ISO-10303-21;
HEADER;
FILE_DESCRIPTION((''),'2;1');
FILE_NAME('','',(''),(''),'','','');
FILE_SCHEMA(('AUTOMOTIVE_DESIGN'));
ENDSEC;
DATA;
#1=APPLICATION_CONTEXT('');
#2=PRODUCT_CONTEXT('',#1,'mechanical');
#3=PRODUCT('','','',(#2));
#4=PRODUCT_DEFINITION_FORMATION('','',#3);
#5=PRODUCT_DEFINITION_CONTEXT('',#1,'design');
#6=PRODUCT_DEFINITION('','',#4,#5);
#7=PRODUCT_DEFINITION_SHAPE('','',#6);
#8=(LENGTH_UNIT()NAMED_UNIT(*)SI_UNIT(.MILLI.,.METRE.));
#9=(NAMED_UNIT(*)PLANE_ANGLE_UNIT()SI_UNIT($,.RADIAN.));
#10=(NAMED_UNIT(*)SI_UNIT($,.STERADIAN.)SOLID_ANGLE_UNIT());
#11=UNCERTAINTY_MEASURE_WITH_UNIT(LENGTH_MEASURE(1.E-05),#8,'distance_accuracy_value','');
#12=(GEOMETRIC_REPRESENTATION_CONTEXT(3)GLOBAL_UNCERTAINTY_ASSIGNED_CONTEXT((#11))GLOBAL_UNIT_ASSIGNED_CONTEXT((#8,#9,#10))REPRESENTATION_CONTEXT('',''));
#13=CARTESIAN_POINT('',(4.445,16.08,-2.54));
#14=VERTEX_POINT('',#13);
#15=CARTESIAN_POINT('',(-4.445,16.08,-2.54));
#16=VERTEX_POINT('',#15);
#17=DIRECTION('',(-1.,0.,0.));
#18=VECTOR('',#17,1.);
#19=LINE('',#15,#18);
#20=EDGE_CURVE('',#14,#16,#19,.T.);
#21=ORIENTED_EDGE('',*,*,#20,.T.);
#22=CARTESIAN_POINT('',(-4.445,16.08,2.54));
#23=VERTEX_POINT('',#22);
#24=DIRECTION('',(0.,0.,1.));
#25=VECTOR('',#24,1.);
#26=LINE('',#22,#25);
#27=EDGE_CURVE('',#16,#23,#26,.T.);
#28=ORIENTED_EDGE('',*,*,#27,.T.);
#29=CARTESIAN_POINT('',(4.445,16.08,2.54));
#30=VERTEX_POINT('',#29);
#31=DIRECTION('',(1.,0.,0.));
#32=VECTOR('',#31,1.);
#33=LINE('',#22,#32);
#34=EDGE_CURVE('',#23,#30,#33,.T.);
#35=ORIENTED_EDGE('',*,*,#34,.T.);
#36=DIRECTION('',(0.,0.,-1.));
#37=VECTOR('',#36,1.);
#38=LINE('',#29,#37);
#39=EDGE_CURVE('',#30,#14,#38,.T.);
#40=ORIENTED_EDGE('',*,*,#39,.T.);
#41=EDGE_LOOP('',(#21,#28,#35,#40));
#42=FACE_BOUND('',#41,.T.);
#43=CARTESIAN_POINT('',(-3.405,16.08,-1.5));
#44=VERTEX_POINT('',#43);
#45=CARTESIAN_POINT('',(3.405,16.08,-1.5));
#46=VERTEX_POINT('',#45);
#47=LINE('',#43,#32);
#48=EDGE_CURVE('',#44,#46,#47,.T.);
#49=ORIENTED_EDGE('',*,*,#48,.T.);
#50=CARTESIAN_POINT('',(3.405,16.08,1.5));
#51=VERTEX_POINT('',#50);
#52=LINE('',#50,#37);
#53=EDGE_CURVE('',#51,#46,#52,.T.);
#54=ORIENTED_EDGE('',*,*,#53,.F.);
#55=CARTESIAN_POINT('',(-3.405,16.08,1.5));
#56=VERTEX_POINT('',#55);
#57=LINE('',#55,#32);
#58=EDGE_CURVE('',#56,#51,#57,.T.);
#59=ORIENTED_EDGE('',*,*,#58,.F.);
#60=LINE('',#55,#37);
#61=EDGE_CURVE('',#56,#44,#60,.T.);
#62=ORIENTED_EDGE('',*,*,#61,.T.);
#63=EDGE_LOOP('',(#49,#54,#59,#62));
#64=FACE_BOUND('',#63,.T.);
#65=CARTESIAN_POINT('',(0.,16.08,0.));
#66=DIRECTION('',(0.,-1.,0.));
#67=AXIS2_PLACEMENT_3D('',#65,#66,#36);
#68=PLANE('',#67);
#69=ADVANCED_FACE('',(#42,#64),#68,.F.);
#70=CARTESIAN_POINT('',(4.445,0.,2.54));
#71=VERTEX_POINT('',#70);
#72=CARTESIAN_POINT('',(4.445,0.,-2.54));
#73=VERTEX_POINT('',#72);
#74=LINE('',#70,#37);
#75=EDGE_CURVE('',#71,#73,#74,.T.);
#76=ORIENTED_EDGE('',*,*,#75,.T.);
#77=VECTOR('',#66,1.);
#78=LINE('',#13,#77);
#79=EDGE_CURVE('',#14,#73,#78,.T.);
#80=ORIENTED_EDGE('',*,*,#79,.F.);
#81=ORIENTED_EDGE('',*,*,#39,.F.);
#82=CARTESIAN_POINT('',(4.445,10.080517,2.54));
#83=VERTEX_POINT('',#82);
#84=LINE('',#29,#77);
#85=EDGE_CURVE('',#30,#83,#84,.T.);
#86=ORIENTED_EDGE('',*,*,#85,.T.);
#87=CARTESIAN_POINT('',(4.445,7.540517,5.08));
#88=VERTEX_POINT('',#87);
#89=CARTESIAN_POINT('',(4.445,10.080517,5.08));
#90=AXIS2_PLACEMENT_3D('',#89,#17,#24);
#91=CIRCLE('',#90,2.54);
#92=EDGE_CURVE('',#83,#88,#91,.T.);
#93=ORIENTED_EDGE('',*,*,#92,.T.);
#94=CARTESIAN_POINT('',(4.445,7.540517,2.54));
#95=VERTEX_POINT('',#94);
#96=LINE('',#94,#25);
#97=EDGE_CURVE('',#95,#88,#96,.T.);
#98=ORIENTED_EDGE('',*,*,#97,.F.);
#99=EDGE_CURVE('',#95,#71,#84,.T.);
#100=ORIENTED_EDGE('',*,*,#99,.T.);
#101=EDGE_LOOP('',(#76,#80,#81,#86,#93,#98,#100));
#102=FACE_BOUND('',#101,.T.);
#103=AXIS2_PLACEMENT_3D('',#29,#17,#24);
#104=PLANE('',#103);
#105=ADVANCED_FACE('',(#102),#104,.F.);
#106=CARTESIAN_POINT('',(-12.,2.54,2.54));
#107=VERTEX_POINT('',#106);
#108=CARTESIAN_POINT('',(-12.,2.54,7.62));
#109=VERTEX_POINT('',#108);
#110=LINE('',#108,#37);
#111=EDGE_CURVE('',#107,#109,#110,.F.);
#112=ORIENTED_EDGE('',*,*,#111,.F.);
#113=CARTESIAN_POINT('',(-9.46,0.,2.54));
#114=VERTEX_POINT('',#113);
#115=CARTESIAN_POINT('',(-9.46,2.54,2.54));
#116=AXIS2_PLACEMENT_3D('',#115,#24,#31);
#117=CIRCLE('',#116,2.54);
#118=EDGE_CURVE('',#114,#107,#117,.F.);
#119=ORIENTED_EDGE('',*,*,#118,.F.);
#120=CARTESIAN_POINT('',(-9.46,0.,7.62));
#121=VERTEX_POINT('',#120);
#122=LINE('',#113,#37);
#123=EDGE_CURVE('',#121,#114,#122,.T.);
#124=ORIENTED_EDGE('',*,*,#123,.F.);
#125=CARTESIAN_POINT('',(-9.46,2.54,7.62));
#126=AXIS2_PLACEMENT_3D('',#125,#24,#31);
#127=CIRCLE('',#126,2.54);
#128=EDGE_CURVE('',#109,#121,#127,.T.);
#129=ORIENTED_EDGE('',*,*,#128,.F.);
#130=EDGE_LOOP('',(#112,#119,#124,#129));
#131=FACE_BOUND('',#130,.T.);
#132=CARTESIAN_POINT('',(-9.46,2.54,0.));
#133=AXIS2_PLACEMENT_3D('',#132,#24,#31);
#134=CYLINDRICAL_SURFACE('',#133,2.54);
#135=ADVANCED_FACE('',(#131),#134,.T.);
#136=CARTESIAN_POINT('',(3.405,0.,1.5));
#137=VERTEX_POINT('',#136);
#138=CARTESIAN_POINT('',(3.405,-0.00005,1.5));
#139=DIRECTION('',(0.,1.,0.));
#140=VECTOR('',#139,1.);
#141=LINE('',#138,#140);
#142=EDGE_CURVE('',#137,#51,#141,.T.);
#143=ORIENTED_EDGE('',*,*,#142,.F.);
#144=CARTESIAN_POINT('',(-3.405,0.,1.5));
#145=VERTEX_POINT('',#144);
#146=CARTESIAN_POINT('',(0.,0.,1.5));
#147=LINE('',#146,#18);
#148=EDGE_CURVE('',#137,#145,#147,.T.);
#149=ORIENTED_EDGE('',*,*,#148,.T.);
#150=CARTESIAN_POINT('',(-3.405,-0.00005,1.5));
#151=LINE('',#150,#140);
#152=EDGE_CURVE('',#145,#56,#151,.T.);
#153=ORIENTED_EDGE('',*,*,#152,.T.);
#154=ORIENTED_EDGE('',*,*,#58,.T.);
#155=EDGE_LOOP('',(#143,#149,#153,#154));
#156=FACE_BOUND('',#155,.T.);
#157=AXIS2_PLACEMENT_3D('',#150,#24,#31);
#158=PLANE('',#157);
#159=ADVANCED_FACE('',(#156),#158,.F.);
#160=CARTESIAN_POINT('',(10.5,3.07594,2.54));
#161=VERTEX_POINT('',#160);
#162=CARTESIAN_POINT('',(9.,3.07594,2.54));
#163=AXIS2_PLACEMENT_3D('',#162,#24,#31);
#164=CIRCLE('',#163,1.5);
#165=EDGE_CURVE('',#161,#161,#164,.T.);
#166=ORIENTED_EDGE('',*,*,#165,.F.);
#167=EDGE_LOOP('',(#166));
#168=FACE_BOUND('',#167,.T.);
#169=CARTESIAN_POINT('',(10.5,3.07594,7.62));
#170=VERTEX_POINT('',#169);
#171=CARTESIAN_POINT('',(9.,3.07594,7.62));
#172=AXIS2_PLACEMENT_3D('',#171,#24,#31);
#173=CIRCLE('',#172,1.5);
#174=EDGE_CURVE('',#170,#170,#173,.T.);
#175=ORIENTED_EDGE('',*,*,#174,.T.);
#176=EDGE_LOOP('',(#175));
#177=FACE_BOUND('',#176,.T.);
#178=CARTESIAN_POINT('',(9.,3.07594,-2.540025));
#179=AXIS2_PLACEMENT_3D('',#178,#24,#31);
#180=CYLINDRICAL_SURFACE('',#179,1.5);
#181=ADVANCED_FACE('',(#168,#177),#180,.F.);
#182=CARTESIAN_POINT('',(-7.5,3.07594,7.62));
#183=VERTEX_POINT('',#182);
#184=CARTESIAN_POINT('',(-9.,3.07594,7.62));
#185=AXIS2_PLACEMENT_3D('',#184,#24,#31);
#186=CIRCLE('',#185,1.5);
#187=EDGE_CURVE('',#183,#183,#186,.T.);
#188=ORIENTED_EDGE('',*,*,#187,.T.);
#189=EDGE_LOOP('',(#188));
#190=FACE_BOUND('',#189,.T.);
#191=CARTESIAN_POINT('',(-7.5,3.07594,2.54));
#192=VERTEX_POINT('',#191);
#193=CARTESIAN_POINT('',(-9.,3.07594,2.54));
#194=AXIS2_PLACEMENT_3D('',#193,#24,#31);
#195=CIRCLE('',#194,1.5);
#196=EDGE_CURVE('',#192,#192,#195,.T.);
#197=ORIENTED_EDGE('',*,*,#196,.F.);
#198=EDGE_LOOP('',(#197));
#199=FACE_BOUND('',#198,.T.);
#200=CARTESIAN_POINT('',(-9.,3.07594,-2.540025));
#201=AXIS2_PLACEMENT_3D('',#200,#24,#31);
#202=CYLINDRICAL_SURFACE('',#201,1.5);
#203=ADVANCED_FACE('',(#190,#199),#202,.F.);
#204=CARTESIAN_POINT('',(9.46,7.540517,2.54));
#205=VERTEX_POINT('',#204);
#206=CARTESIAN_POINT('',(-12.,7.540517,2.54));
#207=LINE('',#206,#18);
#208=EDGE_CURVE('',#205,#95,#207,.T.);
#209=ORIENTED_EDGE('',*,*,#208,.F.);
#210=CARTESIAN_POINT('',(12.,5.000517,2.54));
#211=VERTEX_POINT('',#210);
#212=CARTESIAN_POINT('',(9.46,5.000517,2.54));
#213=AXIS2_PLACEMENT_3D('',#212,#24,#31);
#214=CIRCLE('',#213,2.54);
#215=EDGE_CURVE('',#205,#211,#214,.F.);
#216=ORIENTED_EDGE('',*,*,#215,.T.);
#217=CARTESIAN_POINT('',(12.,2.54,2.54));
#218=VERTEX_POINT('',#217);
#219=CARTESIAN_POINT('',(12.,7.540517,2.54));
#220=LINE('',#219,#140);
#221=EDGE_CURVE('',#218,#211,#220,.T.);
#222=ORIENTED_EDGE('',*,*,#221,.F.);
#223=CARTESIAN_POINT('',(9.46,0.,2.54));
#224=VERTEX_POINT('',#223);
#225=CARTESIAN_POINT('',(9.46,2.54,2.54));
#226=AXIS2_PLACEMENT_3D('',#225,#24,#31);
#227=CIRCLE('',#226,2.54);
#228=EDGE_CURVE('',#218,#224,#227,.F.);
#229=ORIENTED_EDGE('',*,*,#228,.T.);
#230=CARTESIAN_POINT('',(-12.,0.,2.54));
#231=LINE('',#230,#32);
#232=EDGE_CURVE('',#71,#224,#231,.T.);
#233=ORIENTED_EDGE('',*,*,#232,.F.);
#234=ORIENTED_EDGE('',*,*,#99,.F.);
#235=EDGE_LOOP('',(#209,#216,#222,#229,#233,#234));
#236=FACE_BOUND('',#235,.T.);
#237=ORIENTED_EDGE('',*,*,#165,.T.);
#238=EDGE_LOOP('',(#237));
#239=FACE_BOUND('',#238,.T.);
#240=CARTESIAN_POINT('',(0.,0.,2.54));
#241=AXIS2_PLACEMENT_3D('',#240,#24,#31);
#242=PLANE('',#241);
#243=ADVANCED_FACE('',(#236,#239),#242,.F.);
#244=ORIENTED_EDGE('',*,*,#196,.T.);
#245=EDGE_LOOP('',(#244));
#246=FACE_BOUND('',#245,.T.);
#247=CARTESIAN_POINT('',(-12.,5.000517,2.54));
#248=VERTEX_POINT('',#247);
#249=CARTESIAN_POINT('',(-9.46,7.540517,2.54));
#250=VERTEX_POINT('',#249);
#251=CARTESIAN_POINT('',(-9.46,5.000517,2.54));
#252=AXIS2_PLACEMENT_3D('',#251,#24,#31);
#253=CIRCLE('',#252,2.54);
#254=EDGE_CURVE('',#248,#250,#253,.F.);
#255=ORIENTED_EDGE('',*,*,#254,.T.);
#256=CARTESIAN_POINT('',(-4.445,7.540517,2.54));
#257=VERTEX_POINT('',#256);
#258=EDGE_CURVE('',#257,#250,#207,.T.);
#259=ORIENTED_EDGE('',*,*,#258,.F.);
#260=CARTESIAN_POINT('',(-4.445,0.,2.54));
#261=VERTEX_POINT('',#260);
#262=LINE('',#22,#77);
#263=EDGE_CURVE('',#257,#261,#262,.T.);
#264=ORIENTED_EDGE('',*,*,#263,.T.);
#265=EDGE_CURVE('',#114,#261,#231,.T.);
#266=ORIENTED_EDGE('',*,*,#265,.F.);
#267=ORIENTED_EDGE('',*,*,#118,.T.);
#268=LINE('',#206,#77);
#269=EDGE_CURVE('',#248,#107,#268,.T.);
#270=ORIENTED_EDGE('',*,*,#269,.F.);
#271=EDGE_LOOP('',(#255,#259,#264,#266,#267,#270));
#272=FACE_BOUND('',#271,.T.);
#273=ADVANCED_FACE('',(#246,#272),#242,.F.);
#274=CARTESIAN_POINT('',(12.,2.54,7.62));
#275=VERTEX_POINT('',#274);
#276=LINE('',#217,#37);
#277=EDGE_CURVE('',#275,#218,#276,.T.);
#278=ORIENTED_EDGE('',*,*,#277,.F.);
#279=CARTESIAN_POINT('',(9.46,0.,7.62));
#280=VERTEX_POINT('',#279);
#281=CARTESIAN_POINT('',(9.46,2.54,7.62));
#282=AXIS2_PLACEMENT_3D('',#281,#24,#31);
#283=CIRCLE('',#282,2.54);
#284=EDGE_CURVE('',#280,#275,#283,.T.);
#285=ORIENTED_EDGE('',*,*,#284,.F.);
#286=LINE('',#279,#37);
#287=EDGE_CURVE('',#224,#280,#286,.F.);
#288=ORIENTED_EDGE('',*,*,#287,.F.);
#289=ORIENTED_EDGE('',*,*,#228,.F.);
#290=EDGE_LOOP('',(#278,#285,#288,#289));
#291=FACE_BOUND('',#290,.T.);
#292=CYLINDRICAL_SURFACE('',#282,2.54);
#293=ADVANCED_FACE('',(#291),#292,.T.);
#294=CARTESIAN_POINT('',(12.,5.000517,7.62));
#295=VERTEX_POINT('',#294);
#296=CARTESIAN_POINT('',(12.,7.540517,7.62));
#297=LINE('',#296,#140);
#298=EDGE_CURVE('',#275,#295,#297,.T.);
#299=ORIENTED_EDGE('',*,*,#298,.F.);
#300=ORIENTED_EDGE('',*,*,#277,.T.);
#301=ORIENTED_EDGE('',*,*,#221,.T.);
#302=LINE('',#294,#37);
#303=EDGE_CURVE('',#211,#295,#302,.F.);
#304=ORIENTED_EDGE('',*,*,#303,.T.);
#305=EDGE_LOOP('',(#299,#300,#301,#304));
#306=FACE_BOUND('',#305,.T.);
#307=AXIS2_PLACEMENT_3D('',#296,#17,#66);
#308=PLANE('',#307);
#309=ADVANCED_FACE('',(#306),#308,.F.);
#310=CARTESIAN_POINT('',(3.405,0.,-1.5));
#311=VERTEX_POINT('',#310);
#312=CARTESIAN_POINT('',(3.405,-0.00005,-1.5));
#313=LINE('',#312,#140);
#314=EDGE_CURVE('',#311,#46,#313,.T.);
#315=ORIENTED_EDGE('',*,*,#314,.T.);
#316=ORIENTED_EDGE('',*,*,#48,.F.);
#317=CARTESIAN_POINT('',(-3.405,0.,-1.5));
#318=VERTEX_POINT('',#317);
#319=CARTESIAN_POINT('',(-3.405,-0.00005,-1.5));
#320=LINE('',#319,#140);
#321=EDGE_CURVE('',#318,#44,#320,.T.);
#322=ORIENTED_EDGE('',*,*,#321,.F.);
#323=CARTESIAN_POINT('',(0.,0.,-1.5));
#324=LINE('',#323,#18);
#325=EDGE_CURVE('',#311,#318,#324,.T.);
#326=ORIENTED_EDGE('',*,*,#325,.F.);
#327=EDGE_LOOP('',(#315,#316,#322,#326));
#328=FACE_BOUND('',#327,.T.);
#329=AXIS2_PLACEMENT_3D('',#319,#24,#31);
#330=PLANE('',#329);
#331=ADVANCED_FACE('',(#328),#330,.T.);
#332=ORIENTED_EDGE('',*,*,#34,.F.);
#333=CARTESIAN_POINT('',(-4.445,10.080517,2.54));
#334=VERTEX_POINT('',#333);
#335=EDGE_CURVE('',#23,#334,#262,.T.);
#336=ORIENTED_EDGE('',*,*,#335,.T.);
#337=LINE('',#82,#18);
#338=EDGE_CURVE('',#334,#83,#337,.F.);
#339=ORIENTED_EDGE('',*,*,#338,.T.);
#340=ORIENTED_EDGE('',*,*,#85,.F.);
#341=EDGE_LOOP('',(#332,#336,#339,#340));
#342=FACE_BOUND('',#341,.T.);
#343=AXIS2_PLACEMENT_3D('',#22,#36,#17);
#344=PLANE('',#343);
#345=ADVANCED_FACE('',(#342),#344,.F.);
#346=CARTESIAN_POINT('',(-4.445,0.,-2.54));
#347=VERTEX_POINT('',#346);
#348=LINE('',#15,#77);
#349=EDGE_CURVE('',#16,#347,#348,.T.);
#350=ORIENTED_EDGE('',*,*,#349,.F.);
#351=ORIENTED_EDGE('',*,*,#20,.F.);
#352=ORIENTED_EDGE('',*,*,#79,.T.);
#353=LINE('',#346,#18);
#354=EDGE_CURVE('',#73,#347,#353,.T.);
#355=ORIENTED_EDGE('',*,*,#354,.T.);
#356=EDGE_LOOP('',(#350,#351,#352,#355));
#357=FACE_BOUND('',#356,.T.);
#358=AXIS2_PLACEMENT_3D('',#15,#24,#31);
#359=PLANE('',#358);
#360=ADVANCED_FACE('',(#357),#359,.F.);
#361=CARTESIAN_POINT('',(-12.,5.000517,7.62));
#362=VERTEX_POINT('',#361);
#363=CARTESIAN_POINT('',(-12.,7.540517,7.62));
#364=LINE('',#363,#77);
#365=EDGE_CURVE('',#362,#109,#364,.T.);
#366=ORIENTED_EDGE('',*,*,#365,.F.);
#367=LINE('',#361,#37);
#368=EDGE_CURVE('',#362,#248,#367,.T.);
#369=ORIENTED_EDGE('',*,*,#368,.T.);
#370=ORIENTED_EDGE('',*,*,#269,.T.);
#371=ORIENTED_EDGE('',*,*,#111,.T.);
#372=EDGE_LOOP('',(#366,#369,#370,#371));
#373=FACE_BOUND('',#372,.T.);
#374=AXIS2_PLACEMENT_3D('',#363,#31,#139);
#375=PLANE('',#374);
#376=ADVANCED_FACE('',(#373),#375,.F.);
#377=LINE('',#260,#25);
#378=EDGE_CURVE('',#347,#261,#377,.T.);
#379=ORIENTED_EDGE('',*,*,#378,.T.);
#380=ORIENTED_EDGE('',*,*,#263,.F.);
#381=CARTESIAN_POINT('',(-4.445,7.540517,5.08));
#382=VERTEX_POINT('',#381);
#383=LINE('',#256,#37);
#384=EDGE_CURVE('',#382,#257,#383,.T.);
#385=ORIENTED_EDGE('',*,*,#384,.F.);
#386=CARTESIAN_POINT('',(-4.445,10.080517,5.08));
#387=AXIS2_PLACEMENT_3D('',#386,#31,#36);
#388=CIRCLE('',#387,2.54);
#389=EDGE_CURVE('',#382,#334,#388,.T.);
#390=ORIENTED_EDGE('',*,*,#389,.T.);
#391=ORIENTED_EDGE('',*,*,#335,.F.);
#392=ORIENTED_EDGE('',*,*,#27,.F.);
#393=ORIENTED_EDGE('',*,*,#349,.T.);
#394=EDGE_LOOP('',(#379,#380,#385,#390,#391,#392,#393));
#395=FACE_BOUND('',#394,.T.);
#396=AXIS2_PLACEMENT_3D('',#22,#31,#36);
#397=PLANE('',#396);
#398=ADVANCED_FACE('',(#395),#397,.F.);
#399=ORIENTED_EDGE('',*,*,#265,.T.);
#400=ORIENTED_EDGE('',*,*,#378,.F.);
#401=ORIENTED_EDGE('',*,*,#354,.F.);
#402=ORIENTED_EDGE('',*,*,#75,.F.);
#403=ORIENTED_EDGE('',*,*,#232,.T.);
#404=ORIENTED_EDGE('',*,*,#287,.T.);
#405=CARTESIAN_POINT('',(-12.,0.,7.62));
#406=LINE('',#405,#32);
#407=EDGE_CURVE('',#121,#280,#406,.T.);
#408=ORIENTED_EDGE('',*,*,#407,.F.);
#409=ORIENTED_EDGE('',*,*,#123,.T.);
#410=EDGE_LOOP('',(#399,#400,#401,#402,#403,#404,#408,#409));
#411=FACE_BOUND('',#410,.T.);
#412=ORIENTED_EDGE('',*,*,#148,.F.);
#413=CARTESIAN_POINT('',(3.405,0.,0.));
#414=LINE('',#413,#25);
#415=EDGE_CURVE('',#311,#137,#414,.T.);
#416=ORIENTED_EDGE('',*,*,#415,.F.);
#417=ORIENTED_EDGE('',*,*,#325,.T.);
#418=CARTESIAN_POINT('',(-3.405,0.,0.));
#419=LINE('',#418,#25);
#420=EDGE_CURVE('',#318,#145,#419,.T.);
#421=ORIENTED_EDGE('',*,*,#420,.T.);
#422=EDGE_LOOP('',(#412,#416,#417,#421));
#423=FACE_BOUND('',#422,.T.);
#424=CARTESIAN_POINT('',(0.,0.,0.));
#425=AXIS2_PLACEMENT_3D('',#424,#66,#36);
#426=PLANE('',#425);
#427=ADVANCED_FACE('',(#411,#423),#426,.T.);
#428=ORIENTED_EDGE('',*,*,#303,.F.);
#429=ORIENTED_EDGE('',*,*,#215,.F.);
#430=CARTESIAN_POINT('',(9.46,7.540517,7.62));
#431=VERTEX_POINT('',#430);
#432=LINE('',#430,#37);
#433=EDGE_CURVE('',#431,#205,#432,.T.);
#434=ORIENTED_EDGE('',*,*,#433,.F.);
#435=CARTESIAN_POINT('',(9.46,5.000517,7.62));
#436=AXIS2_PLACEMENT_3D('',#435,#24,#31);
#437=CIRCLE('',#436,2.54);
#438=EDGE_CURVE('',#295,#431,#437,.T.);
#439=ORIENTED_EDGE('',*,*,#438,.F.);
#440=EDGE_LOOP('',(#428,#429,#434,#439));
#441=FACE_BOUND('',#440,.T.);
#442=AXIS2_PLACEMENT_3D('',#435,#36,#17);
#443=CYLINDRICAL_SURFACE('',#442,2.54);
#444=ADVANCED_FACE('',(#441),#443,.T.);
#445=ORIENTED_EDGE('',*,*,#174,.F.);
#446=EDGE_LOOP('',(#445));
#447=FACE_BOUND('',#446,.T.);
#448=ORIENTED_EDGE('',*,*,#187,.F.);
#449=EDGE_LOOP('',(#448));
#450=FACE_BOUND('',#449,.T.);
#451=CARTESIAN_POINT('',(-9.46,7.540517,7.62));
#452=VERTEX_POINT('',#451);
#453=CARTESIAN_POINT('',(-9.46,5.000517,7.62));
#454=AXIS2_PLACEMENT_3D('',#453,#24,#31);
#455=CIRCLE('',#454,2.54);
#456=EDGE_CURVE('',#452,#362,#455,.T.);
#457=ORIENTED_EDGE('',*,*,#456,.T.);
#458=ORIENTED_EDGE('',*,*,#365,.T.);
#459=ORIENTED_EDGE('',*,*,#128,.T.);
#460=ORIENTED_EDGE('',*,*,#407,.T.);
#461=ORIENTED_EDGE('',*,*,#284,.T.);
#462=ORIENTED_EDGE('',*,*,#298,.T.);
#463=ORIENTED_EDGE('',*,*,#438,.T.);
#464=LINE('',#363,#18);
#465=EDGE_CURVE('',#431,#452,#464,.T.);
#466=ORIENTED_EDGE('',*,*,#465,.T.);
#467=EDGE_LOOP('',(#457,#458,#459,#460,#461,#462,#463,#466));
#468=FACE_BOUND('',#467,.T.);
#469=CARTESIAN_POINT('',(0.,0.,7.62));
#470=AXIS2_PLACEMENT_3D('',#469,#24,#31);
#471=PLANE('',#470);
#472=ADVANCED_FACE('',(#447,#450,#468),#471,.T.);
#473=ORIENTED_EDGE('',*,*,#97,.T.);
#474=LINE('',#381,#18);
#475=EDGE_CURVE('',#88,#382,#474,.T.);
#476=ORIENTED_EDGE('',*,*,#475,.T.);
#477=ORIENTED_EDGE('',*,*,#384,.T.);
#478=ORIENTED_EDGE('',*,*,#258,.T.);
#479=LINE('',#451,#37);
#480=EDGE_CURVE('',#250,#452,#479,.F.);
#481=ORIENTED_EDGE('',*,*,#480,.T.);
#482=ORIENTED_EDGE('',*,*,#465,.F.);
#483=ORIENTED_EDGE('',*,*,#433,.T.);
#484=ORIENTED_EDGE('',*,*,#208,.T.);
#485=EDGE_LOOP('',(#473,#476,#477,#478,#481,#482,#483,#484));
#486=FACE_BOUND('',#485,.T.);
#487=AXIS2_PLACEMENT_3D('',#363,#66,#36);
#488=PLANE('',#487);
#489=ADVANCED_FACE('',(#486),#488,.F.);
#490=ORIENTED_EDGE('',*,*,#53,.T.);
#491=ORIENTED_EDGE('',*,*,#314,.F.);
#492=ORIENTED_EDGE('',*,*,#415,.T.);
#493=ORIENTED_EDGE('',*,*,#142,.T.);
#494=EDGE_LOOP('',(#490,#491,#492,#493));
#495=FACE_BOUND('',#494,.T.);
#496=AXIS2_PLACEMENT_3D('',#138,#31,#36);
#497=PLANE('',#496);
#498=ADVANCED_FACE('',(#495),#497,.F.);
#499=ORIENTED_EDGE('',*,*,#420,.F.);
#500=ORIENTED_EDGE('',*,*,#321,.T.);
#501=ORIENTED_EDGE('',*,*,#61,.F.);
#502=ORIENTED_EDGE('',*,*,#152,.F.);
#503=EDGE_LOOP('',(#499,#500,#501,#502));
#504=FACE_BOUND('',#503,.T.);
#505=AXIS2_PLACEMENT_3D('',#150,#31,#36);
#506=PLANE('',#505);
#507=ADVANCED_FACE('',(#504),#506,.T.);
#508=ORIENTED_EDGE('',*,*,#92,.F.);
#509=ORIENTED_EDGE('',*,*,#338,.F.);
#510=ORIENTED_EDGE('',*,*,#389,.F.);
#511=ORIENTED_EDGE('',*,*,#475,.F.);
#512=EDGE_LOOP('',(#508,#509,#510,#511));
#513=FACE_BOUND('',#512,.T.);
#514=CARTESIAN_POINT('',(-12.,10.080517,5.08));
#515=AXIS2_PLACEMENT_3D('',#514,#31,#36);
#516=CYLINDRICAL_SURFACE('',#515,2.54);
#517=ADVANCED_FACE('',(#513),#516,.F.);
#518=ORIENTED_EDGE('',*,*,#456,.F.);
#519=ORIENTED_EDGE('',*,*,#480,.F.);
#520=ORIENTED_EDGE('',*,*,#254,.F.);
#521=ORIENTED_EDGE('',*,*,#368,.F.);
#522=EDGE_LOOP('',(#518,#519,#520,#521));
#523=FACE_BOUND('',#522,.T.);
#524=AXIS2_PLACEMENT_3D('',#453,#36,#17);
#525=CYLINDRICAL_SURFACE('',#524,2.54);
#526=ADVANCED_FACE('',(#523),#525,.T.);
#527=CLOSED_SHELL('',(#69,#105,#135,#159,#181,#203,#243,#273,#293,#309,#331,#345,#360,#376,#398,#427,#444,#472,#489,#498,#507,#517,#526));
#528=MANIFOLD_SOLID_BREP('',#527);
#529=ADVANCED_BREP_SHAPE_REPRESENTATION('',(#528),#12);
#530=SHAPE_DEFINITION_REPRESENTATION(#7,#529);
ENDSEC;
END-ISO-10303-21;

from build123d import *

# Parameters (mm, degrees)
SKETCH1_W           = 8.89
SKETCH1_H           = 5.08
BOSS_EXTRUDE1_DEPTH = 16.08
SKETCH2_W           = 24
SKETCH2_H           = 7.540516724
BOSS_EXTRUDE2_DEPTH = 5.08
SKETCH3_R           = 1.5
CUT_EXTRUDE1_DEPTH  = 11.16
SKETCH4_W           = 6.81
SKETCH4_H           = 3
CUT_EXTRUDE2_DEPTH  = 17.08
FILLET1_R           = 2.54


with BuildPart() as part:
    # Sketch1 → Boss-Extrude1 (new body)
    with BuildSketch(Plane(origin=(0, 0, 0), x_dir=(1, 0, 0), z_dir=(0, 1, 0))):
        Rectangle(SKETCH1_W, SKETCH1_H)
    extrude(amount=BOSS_EXTRUDE1_DEPTH)

    # Sketch2 → Boss-Extrude2 (add)
    with BuildSketch(Plane.XY.offset(2.54)):
        with Locations((0, 3.770258362)):
            Rectangle(SKETCH2_W, SKETCH2_H)
    extrude(amount=BOSS_EXTRUDE2_DEPTH)

    # Sketch3 → Cut-Extrude1 (cut, through all)
    with BuildSketch(Plane.XY.offset(7.62)):
        with Locations((-9, 3.07594)):
            Circle(SKETCH3_R)
        with Locations((9, 3.07594)):
            Circle(SKETCH3_R)
    extrude(amount=-CUT_EXTRUDE1_DEPTH, mode=Mode.SUBTRACT)

    # Sketch4 → Cut-Extrude2 (cut, through all)
    with BuildSketch(Plane(origin=(0, 16.08, 0), x_dir=(1, 0, 0), z_dir=(0, 1, 0))):
        Rectangle(SKETCH4_W, SKETCH4_H)
    extrude(amount=-CUT_EXTRUDE2_DEPTH, mode=Mode.SUBTRACT)

    # Fillet1
    fillet1_edges = [part.edges().sort_by_distance(p)[0] for p in [
        (12, 0, 5.08),
        (-12, 0, 5.08),
        (0, 7.540516724, 2.54),
        (12, 7.540516724, 5.08),
        (-12, 7.540516724, 5.08),
    ]]
    fillet(fillet1_edges, radius=FILLET1_R)


solid = part.part
